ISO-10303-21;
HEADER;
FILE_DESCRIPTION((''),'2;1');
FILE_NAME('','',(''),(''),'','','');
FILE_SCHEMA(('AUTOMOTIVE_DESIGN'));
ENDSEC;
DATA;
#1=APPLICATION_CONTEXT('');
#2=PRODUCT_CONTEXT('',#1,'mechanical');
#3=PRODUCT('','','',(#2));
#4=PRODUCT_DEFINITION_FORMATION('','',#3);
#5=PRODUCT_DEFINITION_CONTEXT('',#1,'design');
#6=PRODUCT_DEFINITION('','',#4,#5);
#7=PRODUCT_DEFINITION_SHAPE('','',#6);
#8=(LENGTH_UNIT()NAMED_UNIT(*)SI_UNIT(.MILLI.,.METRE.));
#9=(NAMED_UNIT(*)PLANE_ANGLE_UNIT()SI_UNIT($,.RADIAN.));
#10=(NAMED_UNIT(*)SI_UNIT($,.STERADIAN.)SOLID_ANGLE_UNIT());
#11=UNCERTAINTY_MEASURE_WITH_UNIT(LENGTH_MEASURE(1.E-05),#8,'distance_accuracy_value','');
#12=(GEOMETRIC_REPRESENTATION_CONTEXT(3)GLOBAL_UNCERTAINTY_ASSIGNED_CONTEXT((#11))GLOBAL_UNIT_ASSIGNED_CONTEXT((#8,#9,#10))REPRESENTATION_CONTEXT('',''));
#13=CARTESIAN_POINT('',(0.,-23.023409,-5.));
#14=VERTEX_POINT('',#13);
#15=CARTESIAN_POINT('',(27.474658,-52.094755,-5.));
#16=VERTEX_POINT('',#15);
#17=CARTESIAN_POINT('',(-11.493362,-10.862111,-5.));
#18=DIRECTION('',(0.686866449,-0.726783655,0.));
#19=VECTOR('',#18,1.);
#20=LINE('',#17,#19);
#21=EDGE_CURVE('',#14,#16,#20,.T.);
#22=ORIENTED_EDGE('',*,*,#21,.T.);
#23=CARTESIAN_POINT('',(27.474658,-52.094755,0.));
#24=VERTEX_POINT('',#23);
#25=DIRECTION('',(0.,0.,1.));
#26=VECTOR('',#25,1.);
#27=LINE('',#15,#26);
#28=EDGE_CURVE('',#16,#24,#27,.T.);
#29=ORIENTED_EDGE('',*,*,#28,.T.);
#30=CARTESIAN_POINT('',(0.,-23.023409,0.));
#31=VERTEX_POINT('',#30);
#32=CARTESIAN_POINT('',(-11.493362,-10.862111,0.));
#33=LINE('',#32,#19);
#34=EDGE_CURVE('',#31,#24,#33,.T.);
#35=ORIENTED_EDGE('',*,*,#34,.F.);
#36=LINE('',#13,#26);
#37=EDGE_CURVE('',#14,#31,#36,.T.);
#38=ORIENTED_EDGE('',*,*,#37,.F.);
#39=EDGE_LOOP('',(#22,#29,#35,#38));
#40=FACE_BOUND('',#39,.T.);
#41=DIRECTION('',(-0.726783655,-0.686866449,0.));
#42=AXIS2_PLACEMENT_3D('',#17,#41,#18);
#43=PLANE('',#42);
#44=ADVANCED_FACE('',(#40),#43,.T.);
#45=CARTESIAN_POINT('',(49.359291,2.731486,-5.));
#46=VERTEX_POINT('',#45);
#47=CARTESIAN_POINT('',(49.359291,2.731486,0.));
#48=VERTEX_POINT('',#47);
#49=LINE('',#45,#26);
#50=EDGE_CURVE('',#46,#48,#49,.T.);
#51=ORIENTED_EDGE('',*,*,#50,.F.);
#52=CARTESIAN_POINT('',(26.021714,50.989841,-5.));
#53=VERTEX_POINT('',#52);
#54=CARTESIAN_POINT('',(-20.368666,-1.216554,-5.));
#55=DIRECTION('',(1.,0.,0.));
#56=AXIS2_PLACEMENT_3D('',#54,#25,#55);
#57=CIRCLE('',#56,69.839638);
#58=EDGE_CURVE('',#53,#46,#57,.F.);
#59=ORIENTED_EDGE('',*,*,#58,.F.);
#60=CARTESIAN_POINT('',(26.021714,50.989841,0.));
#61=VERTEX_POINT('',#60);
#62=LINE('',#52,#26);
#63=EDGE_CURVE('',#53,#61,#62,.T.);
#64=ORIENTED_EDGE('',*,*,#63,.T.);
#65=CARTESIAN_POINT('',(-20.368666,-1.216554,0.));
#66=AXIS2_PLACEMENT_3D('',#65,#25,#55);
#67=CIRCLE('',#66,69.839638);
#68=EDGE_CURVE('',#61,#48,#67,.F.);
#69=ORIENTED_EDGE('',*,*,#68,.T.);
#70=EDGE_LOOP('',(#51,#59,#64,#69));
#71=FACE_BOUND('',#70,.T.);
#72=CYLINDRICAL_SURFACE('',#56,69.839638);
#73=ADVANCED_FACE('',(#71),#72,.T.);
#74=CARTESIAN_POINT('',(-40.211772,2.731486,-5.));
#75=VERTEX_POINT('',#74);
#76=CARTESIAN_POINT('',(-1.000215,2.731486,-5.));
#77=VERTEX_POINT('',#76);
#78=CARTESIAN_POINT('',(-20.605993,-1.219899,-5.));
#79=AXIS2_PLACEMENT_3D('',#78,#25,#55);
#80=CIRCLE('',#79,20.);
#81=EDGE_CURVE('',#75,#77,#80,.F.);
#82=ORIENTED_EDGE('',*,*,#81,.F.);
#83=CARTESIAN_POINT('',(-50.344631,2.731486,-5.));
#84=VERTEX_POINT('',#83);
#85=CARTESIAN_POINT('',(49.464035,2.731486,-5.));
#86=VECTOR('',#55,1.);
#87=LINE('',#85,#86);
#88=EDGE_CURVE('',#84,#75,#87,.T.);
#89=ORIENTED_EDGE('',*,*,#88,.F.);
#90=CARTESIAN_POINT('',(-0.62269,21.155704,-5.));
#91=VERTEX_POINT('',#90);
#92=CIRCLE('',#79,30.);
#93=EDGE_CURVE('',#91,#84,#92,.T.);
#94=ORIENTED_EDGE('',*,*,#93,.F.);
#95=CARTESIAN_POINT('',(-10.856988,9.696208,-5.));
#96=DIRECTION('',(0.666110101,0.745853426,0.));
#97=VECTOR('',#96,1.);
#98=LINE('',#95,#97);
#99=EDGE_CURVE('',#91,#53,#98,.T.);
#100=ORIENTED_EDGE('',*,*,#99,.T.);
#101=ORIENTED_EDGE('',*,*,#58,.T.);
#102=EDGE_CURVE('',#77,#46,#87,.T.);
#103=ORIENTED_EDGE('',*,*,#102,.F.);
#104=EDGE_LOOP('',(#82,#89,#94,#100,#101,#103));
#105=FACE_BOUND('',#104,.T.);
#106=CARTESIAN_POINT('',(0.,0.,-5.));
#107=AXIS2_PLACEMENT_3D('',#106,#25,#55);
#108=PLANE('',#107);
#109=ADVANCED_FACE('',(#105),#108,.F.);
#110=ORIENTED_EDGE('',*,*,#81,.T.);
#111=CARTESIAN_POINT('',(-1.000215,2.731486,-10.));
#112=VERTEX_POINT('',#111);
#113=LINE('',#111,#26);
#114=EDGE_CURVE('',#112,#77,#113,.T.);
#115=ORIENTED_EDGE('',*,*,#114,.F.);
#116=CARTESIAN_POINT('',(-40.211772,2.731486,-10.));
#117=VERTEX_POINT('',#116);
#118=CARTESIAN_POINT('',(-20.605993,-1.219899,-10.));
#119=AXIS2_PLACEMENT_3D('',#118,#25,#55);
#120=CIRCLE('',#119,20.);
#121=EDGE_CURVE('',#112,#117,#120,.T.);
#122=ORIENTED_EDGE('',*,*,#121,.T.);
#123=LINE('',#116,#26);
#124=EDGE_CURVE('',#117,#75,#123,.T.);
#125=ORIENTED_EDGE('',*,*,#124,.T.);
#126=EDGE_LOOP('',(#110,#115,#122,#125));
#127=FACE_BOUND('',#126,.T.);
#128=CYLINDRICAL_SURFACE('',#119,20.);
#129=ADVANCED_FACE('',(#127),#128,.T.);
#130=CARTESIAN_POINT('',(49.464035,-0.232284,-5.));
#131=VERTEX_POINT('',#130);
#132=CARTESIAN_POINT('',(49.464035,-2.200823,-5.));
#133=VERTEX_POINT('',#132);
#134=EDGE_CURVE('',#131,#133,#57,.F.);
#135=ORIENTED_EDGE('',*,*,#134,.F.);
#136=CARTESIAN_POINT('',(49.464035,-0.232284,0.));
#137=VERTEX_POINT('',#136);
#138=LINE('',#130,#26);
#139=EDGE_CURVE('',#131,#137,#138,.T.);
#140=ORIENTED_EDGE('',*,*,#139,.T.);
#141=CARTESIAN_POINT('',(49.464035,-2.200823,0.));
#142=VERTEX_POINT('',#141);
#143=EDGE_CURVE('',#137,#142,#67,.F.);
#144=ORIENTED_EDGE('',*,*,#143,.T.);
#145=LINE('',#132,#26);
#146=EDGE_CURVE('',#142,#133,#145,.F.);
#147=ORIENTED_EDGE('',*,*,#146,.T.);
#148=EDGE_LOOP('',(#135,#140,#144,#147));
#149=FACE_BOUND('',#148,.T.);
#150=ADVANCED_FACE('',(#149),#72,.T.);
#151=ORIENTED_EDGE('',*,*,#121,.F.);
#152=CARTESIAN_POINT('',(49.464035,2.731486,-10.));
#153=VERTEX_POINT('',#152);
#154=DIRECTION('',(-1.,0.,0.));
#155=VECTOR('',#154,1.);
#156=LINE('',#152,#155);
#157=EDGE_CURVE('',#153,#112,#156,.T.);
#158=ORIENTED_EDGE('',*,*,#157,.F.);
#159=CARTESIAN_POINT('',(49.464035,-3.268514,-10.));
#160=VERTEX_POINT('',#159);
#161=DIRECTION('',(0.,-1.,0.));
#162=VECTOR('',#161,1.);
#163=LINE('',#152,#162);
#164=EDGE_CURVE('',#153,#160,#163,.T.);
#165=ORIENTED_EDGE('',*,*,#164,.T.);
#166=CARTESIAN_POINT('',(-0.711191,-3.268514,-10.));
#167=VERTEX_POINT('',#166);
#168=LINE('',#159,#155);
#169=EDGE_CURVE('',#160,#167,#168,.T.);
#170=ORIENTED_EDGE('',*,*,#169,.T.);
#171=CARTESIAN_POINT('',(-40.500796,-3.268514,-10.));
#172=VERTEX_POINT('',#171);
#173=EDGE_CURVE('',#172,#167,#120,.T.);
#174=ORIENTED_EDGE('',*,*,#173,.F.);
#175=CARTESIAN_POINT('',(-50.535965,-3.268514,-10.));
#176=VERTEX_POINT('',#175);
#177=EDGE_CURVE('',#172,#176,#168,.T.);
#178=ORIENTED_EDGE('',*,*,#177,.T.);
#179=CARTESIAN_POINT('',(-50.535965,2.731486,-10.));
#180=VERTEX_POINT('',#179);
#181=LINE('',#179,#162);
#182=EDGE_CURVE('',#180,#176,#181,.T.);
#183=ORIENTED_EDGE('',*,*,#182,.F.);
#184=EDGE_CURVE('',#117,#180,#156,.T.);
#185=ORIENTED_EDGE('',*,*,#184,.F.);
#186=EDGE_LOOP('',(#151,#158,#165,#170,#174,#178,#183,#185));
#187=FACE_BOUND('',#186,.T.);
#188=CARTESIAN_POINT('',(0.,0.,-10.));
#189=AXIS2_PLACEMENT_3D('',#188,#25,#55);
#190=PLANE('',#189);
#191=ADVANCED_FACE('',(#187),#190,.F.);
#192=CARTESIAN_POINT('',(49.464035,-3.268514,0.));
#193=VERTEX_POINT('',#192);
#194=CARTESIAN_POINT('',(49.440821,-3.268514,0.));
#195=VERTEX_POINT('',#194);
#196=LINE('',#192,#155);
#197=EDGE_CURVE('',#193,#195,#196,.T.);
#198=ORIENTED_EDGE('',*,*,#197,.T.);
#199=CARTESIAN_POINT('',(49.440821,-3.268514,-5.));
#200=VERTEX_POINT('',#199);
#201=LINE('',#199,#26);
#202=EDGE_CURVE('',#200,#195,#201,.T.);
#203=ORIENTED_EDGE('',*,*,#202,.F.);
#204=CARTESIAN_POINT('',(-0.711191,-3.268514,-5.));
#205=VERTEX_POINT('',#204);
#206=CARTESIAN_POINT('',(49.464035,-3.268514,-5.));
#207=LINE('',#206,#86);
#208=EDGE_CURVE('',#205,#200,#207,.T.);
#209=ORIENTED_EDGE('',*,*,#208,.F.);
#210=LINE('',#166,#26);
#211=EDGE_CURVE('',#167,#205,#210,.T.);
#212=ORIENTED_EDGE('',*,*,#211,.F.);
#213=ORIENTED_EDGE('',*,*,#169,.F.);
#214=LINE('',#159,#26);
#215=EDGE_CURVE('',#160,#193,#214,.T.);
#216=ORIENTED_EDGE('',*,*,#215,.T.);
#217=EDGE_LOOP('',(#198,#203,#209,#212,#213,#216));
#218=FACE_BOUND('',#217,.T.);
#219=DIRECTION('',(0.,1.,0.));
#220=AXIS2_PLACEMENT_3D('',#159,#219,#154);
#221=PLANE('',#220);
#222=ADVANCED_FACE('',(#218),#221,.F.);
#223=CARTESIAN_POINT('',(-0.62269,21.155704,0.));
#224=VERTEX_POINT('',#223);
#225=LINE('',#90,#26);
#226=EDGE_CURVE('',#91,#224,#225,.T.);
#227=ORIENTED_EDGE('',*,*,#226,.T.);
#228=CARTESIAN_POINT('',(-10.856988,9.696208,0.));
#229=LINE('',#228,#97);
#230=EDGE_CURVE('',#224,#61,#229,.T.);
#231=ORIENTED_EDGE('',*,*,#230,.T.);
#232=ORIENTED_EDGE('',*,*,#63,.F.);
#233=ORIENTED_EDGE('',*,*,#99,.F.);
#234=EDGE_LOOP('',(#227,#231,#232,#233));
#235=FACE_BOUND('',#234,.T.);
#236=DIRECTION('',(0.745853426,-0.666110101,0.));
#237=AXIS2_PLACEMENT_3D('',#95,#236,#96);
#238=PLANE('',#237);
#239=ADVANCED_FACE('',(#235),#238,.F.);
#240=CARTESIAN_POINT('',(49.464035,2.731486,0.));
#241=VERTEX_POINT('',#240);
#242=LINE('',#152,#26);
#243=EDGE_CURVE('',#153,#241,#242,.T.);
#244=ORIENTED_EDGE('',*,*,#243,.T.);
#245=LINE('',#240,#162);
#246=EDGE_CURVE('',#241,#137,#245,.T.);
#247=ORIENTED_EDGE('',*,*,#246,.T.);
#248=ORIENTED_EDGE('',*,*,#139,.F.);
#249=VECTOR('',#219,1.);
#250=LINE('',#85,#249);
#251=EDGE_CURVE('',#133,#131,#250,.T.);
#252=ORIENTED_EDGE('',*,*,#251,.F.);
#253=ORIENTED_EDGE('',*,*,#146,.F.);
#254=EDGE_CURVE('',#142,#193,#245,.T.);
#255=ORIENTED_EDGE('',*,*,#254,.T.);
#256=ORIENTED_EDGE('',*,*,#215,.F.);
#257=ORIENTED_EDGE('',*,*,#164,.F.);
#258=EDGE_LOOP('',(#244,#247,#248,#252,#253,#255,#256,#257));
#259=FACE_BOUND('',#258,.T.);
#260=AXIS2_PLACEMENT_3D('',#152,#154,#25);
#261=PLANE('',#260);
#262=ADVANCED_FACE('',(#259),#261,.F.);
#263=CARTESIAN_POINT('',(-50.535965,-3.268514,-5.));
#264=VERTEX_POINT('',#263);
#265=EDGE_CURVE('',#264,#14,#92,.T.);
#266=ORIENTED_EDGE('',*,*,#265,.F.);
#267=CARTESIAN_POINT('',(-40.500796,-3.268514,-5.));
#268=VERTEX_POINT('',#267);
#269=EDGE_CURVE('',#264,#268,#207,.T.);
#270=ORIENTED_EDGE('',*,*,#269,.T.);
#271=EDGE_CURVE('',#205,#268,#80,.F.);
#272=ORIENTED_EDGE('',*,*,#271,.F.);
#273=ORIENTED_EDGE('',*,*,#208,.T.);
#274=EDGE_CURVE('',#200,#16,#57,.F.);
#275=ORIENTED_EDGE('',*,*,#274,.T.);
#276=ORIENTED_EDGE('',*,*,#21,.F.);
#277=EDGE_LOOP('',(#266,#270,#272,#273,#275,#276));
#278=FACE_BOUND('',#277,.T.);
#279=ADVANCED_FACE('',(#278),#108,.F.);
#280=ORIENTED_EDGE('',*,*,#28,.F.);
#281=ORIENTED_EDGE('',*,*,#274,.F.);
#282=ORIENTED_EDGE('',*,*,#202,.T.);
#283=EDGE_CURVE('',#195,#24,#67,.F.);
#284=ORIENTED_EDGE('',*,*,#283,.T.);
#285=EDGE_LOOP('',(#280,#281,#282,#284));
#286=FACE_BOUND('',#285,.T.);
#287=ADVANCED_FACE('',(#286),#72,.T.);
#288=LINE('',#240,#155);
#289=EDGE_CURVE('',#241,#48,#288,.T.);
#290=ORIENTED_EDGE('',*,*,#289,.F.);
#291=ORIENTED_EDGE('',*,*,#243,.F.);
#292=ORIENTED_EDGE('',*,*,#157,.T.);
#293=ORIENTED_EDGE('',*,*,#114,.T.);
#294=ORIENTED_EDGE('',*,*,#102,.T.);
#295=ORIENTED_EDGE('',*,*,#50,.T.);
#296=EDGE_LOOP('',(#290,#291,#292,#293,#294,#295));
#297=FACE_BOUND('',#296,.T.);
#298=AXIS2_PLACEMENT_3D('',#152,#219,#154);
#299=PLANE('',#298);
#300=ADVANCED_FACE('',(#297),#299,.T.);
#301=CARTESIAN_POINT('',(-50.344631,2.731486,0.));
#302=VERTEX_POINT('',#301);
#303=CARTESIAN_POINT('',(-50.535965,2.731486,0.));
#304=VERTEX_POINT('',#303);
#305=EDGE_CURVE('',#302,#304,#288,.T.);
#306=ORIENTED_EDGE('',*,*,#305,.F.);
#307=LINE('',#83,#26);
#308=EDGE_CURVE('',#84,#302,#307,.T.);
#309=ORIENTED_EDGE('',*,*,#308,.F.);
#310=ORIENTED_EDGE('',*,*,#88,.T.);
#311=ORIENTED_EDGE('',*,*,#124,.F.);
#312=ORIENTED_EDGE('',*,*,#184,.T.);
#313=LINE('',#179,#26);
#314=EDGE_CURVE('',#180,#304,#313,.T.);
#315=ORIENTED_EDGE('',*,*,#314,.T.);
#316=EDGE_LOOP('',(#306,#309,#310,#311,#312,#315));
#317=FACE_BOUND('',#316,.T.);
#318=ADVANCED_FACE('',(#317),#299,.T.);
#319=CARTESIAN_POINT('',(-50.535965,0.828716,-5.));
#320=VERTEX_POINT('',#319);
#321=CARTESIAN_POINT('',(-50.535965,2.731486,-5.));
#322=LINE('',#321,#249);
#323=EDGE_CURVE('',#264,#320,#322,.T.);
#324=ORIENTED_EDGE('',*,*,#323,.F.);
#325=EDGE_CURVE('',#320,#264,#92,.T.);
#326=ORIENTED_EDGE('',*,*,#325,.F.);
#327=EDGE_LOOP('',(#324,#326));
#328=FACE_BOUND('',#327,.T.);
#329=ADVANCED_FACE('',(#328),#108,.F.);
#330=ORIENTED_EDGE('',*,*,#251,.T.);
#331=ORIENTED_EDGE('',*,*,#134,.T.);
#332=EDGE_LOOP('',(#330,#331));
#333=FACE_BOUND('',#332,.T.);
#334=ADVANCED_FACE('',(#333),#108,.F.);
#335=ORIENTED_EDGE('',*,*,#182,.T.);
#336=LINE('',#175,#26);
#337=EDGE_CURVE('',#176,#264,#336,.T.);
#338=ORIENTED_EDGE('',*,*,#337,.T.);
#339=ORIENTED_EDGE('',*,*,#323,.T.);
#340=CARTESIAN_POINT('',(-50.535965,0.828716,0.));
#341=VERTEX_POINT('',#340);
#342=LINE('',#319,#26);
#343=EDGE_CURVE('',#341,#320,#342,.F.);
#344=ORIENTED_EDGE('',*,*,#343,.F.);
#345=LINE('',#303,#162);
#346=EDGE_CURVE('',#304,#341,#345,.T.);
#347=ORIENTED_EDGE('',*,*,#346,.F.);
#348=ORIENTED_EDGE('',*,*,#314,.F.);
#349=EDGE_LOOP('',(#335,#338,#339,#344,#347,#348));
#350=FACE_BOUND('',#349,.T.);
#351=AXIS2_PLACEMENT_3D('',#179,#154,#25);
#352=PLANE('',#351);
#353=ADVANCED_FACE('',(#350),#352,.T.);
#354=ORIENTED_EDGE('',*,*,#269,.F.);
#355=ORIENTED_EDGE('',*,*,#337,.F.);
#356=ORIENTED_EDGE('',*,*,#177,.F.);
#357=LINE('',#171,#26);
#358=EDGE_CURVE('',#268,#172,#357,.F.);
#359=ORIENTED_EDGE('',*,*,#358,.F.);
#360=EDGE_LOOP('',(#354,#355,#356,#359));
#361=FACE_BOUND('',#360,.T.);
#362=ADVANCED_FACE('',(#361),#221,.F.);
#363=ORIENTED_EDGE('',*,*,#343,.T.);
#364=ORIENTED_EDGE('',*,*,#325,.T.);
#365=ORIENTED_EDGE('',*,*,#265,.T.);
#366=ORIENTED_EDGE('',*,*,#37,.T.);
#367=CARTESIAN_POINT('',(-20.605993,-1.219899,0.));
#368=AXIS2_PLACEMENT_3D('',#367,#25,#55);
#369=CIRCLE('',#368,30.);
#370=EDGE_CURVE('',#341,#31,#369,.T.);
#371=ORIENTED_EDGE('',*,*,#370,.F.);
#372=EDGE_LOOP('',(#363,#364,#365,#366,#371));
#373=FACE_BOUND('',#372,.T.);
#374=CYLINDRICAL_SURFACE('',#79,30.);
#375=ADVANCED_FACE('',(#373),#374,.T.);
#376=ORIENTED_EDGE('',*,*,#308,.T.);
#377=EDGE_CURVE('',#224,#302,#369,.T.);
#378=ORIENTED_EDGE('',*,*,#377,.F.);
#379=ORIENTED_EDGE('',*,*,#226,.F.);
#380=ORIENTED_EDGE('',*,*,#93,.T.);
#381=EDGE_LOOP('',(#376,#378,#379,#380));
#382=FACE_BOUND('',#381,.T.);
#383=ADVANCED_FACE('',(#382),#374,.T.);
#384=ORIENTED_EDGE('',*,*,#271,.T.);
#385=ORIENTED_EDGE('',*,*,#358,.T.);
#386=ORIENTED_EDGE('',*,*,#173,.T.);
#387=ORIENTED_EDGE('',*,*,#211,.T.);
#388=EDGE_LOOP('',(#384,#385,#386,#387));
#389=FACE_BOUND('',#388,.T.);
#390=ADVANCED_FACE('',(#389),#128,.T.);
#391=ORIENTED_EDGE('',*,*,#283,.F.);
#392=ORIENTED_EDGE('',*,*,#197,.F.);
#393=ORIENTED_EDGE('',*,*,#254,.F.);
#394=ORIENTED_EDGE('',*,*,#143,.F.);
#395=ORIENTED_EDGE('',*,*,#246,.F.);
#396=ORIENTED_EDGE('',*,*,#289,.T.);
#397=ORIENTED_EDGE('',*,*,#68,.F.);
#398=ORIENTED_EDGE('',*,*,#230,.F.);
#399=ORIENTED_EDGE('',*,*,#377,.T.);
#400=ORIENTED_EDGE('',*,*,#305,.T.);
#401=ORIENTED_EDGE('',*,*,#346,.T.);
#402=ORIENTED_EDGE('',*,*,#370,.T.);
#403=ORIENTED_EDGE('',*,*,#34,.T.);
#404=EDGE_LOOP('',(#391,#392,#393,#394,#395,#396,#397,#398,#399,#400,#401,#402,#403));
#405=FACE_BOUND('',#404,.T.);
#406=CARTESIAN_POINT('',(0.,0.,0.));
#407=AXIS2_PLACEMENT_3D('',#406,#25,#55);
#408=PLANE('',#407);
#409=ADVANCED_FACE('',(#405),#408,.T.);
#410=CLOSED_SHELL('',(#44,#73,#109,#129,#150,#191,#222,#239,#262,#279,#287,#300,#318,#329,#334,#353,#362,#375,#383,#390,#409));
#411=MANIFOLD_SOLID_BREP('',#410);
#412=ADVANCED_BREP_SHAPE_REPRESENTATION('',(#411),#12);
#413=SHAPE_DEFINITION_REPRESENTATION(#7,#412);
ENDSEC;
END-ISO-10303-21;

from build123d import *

# Parameters (mm, degrees)
SKETCH3_R           = 20
SKETCH3_W           = 100
SKETCH3_H           = 6
BOSS_EXTRUDE3_DEPTH = 10
SKETCH5_R           = 30
BOSS_EXTRUDE4_DEPTH = 5


with BuildPart() as part:
    # Sketch3 → Boss-Extrude3 (new body)
    with BuildSketch(Plane.XY):
        with Locations((-20.605993479, -1.21989897)):
            Circle(SKETCH3_R)
        with Locations((-0.535964706, -0.268513697)):
            Rectangle(SKETCH3_W, SKETCH3_H)
    extrude(amount=-BOSS_EXTRUDE3_DEPTH)

    # Sketch5 → Boss-Extrude4 (add)
    with BuildSketch(Plane.XY):
        with BuildLine():
            Line((26.021713598, 50.989840857), (-0.622690446, 21.155703813))
            ThreePointArc((-0.622690446, 21.155703813), (6.775561362, 11.037770242), (9.394006521, -1.21989897))
            ThreePointArc((9.394006521, -1.21989897), (6.945592722, -13.090454889), (0, -23.023408613))
            Line((0, -23.023408613), (27.474657971, -52.094754804))
            ThreePointArc((27.474657971, -52.094754804), (49.464035294, -0.232284347), (26.021713598, 50.989840857))
        make_face()
        with Locations((-20.605993479, -1.21989897)):
            Circle(SKETCH5_R)
    extrude(amount=-BOSS_EXTRUDE4_DEPTH)


solid = part.part
